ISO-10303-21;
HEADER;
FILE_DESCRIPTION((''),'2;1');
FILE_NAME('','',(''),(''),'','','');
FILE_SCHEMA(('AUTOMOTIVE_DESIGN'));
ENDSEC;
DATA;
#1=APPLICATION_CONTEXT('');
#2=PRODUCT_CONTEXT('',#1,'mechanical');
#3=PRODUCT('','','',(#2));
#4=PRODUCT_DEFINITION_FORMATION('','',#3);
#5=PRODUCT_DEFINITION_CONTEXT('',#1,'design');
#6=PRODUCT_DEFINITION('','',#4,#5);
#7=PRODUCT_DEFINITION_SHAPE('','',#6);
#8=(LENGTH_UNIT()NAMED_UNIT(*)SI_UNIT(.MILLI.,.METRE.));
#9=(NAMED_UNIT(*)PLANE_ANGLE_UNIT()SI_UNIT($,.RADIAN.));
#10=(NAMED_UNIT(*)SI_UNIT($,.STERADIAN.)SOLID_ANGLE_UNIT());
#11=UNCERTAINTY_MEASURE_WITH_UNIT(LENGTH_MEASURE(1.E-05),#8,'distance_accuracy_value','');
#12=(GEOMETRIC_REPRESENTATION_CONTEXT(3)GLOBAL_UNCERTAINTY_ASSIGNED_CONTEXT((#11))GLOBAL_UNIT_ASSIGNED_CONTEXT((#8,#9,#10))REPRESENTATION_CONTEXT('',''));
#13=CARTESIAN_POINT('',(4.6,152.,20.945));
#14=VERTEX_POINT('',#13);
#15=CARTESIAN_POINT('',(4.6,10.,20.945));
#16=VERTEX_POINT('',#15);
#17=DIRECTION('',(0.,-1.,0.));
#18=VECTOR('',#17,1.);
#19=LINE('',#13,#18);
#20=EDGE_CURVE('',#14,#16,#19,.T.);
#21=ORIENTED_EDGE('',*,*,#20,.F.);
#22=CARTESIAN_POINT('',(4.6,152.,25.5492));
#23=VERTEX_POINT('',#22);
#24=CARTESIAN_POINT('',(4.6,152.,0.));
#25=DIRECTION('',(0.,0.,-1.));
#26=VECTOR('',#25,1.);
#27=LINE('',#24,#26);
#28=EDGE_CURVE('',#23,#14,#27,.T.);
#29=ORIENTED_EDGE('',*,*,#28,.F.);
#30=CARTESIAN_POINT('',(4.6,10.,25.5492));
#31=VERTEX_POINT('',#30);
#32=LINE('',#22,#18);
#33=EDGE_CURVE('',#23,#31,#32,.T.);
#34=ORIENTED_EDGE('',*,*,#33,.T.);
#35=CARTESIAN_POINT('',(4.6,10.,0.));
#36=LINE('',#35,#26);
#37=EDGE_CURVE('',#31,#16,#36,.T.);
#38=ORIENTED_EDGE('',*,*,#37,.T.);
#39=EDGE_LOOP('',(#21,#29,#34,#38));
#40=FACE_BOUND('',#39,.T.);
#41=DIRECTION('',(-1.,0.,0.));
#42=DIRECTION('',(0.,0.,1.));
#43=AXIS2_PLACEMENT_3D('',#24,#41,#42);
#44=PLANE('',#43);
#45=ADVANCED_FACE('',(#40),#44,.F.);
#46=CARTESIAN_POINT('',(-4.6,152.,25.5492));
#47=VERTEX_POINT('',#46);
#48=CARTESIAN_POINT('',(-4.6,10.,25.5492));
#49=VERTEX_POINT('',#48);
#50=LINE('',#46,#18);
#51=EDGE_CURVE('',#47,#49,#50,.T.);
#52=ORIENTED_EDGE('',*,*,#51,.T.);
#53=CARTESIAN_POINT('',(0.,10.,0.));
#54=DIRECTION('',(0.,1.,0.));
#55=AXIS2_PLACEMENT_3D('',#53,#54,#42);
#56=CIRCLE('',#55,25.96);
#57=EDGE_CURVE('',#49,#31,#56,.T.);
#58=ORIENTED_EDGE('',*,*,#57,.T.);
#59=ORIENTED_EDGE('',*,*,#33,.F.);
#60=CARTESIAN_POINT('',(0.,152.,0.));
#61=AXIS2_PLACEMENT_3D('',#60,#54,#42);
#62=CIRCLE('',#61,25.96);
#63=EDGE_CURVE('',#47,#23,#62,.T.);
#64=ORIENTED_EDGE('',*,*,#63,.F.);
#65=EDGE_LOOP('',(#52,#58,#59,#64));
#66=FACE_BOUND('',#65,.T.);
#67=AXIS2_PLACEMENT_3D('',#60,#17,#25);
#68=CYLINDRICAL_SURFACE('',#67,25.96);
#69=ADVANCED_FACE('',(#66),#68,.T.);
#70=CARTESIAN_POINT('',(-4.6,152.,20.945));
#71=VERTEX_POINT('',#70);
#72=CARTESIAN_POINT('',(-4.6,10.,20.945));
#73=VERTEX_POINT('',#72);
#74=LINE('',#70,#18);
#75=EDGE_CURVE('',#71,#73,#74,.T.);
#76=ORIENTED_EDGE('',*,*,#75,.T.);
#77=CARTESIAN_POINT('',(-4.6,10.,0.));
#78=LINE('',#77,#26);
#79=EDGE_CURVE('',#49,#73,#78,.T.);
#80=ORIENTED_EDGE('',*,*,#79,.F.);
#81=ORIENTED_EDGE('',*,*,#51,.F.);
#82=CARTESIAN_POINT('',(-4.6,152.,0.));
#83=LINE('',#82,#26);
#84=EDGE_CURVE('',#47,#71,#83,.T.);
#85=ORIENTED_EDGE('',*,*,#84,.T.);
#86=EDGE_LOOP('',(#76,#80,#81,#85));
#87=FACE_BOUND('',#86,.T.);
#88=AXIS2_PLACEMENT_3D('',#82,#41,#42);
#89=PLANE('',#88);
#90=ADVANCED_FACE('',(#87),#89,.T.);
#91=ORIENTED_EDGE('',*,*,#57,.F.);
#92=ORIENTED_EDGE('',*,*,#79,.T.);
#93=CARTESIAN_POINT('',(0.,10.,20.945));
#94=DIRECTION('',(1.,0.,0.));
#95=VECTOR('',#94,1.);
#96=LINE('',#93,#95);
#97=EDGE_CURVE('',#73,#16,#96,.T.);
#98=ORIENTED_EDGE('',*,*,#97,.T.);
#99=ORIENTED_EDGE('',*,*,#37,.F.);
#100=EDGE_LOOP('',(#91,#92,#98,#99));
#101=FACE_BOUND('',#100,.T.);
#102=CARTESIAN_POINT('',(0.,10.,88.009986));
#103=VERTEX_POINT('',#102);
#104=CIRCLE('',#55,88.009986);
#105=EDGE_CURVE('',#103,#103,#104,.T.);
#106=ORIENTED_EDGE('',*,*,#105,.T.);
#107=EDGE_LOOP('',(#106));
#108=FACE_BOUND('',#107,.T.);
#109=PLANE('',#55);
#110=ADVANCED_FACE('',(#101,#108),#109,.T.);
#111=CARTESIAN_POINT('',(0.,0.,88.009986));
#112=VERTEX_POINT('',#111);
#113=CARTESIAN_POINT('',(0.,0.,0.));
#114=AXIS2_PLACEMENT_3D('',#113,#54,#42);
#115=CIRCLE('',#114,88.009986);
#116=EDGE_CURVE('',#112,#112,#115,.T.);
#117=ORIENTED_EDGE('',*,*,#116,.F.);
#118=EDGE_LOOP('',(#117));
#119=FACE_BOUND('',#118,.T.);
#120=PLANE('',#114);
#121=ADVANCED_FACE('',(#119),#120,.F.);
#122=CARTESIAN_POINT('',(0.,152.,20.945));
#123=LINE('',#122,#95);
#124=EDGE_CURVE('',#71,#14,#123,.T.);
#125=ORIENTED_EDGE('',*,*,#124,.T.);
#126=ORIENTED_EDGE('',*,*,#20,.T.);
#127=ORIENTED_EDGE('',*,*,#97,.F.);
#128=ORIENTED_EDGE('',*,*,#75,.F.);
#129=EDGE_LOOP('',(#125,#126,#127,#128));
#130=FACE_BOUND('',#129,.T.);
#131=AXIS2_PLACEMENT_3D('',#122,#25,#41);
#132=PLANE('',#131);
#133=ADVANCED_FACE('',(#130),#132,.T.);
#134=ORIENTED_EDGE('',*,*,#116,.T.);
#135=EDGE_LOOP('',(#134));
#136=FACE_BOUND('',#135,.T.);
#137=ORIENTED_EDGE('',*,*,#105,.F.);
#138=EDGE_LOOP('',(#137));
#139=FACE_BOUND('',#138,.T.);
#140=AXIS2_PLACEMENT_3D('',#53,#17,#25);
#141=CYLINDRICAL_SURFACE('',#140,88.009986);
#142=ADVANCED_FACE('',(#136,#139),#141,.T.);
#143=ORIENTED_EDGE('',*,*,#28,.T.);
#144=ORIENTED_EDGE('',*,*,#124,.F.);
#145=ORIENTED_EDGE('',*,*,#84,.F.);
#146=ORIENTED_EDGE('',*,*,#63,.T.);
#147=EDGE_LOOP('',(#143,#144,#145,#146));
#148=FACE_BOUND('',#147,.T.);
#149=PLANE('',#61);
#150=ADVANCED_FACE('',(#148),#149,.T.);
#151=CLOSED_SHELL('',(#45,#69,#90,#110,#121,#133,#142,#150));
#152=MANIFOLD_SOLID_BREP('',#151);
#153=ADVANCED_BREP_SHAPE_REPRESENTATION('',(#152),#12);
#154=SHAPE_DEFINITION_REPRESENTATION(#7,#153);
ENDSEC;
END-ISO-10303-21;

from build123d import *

# Parameters (mm, degrees)
SKETCH1_R           = 88.009986391
BOSS_EXTRUDE1_DEPTH = 10
BOSS_EXTRUDE5_DEPTH = 142


with BuildPart() as part:
    # Sketch1 → Boss-Extrude1 (new body)
    with BuildSketch(Plane(origin=(0, 0, 0), x_dir=(1, 0, 0), z_dir=(0, 1, 0))):
        with Locations(Location((0, 0, 0), (0, 0, 270))):
            Circle(SKETCH1_R)
    extrude(amount=BOSS_EXTRUDE1_DEPTH)

    # Sketch3 → Boss-Extrude5 (add)
    with BuildSketch(Plane(origin=(0, 10, 0), x_dir=(1, 0, 0), z_dir=(0, 1, 0))):
        with BuildLine():
            Line((-4.6, -20.945), (-4.6, -25.549199596))
            ThreePointArc((-4.6, -25.549199596), (0, -25.96), (4.6, -25.549199596))
            Line((4.6, -25.549199596), (4.6, -20.945))
            Line((4.6, -20.945), (-4.6, -20.945))
        make_face()
    extrude(amount=BOSS_EXTRUDE5_DEPTH)


solid = part.part
